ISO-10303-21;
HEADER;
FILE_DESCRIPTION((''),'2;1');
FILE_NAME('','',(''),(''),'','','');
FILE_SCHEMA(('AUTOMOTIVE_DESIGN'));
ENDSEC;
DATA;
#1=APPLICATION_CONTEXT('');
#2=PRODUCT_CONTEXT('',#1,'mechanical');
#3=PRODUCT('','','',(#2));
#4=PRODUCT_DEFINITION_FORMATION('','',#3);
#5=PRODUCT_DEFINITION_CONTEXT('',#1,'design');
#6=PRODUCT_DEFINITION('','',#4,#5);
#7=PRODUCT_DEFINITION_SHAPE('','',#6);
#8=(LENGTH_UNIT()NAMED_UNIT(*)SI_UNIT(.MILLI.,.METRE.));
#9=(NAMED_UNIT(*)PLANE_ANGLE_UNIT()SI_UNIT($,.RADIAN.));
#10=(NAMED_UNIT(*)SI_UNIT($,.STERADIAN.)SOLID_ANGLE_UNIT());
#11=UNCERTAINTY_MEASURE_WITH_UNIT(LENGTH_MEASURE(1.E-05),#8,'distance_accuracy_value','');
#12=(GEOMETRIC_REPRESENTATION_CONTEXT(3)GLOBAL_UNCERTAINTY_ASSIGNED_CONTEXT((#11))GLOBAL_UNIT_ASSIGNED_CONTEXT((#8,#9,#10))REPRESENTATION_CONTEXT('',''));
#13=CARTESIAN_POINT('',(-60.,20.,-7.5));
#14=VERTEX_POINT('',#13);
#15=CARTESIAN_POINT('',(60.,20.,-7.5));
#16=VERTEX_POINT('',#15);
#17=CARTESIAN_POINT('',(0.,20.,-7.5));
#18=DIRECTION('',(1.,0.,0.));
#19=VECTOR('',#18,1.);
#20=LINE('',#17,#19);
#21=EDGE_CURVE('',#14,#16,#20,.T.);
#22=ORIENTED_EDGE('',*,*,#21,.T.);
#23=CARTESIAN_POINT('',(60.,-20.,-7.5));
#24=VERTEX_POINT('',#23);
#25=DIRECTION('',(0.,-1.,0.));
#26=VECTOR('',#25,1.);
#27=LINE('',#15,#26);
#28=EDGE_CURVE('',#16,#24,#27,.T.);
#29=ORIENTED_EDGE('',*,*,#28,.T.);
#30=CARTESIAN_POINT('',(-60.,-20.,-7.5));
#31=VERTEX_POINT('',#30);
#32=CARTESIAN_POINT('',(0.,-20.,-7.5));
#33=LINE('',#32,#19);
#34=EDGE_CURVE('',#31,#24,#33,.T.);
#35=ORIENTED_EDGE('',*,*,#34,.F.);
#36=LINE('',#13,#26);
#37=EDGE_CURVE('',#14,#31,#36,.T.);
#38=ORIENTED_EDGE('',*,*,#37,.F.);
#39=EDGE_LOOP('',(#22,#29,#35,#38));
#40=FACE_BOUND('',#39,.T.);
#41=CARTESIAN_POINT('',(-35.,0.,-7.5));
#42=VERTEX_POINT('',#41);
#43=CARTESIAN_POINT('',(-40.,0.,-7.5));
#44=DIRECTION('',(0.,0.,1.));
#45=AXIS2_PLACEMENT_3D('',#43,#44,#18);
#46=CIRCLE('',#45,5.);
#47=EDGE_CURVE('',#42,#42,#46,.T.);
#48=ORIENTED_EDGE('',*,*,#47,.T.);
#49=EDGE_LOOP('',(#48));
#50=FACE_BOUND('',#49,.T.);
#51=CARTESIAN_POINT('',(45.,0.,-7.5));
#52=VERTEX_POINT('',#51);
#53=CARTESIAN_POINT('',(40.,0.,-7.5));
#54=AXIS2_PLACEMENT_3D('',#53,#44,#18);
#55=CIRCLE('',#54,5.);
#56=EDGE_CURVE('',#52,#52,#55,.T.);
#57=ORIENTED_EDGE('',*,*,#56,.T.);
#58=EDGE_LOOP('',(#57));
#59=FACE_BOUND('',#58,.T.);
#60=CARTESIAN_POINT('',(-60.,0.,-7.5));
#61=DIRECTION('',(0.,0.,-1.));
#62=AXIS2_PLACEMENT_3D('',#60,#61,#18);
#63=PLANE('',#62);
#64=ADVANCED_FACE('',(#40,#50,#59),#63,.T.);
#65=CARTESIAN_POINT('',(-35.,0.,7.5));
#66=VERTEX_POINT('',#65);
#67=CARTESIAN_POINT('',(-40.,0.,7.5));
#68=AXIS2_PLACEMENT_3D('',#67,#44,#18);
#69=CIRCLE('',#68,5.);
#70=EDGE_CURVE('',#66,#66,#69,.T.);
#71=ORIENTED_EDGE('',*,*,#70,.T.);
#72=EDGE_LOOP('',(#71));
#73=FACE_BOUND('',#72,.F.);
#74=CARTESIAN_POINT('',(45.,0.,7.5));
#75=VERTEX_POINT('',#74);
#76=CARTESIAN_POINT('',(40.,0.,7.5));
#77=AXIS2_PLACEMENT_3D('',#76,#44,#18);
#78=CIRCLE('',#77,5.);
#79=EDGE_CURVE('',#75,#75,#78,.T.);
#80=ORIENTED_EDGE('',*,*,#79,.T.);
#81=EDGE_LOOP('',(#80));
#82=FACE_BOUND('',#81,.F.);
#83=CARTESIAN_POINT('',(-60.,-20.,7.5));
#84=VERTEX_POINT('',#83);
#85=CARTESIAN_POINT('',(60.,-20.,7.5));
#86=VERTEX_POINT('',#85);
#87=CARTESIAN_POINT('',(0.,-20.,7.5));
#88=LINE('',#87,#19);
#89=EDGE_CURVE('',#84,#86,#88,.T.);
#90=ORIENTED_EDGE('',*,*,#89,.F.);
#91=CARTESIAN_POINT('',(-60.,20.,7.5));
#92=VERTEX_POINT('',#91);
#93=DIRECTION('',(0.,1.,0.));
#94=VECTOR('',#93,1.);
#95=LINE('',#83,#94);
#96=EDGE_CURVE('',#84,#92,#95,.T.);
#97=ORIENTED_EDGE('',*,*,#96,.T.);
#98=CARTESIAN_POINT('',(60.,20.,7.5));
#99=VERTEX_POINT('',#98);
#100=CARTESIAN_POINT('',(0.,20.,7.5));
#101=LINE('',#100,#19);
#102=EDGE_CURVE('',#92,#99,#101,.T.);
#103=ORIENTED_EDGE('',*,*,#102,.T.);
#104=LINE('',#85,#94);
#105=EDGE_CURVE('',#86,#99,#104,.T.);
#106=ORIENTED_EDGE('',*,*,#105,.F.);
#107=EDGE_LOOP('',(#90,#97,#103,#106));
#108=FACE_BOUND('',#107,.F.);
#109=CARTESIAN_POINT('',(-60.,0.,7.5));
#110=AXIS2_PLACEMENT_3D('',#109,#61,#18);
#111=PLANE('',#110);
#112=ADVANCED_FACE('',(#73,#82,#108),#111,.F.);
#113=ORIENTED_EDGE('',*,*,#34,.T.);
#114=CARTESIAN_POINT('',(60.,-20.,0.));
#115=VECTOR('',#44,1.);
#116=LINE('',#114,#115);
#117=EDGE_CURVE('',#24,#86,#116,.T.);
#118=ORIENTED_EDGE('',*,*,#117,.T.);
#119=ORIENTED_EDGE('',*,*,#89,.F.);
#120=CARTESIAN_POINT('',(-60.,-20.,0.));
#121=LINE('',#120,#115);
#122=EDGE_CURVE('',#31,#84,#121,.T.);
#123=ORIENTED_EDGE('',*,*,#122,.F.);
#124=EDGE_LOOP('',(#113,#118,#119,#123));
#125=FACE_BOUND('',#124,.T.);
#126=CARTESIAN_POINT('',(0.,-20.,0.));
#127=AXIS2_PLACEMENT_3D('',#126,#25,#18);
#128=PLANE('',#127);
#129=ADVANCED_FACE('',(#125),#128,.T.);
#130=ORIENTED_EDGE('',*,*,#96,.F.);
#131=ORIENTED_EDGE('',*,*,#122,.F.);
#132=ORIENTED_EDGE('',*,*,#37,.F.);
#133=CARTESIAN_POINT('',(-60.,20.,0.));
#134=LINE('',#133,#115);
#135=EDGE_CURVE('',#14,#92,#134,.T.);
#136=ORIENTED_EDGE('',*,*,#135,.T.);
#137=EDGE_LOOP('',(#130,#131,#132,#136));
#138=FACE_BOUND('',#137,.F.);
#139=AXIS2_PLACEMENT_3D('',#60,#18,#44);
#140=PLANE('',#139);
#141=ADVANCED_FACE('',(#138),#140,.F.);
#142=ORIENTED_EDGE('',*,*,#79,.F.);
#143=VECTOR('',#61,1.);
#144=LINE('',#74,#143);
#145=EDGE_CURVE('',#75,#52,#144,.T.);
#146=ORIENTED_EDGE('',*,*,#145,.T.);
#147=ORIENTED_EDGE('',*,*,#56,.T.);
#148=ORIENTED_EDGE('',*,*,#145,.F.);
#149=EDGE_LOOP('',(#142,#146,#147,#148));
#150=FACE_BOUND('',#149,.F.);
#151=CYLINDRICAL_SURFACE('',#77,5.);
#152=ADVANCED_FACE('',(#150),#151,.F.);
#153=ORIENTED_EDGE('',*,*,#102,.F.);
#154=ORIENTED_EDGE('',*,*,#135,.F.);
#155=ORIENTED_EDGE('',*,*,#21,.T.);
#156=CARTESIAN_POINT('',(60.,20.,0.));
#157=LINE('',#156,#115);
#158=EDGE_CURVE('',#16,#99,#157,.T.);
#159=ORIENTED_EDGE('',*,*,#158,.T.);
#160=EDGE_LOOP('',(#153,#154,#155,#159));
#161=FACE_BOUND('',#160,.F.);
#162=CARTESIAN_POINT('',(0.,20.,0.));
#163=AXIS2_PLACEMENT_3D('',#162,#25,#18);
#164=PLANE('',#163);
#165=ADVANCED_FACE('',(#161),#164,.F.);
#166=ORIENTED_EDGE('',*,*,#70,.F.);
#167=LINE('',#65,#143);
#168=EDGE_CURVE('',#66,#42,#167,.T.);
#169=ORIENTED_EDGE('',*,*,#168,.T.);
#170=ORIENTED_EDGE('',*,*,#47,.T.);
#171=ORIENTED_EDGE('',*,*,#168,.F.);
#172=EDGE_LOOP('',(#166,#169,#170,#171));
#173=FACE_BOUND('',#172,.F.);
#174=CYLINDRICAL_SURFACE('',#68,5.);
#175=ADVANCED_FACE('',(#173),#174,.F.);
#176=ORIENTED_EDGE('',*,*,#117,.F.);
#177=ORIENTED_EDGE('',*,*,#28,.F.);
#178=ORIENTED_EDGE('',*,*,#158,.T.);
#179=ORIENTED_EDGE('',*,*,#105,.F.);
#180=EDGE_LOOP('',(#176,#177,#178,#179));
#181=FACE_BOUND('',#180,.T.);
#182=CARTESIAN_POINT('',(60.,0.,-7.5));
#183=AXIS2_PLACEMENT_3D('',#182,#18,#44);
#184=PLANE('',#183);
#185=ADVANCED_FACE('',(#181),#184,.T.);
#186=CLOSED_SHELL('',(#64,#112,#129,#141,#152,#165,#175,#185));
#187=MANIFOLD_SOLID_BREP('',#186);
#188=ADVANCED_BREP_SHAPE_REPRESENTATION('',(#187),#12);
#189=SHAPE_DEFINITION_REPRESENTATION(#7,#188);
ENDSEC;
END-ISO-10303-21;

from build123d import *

# Parameters (mm, degrees)
F0_W     = 120
F0_H     = 15
F1_DEPTH = 20
F2_R     = 5
F3_DEPTH = 15.001


with BuildPart() as f1:
    # F0 (on Front) → F1 (new body, symmetric)
    with BuildSketch(Plane.XZ):
        Rectangle(F0_W, F0_H)
    extrude(amount=F1_DEPTH, both=True)

    # F2 (on face) → F3 (cut, through all)
    with BuildSketch(Plane.XY.offset(7.5)):
        with Locations((-40, 0)):
            Circle(F2_R)
        with Locations((40, 0)):
            Circle(F2_R)
    extrude(amount=-F3_DEPTH, mode=Mode.SUBTRACT)


solid = f1.part
